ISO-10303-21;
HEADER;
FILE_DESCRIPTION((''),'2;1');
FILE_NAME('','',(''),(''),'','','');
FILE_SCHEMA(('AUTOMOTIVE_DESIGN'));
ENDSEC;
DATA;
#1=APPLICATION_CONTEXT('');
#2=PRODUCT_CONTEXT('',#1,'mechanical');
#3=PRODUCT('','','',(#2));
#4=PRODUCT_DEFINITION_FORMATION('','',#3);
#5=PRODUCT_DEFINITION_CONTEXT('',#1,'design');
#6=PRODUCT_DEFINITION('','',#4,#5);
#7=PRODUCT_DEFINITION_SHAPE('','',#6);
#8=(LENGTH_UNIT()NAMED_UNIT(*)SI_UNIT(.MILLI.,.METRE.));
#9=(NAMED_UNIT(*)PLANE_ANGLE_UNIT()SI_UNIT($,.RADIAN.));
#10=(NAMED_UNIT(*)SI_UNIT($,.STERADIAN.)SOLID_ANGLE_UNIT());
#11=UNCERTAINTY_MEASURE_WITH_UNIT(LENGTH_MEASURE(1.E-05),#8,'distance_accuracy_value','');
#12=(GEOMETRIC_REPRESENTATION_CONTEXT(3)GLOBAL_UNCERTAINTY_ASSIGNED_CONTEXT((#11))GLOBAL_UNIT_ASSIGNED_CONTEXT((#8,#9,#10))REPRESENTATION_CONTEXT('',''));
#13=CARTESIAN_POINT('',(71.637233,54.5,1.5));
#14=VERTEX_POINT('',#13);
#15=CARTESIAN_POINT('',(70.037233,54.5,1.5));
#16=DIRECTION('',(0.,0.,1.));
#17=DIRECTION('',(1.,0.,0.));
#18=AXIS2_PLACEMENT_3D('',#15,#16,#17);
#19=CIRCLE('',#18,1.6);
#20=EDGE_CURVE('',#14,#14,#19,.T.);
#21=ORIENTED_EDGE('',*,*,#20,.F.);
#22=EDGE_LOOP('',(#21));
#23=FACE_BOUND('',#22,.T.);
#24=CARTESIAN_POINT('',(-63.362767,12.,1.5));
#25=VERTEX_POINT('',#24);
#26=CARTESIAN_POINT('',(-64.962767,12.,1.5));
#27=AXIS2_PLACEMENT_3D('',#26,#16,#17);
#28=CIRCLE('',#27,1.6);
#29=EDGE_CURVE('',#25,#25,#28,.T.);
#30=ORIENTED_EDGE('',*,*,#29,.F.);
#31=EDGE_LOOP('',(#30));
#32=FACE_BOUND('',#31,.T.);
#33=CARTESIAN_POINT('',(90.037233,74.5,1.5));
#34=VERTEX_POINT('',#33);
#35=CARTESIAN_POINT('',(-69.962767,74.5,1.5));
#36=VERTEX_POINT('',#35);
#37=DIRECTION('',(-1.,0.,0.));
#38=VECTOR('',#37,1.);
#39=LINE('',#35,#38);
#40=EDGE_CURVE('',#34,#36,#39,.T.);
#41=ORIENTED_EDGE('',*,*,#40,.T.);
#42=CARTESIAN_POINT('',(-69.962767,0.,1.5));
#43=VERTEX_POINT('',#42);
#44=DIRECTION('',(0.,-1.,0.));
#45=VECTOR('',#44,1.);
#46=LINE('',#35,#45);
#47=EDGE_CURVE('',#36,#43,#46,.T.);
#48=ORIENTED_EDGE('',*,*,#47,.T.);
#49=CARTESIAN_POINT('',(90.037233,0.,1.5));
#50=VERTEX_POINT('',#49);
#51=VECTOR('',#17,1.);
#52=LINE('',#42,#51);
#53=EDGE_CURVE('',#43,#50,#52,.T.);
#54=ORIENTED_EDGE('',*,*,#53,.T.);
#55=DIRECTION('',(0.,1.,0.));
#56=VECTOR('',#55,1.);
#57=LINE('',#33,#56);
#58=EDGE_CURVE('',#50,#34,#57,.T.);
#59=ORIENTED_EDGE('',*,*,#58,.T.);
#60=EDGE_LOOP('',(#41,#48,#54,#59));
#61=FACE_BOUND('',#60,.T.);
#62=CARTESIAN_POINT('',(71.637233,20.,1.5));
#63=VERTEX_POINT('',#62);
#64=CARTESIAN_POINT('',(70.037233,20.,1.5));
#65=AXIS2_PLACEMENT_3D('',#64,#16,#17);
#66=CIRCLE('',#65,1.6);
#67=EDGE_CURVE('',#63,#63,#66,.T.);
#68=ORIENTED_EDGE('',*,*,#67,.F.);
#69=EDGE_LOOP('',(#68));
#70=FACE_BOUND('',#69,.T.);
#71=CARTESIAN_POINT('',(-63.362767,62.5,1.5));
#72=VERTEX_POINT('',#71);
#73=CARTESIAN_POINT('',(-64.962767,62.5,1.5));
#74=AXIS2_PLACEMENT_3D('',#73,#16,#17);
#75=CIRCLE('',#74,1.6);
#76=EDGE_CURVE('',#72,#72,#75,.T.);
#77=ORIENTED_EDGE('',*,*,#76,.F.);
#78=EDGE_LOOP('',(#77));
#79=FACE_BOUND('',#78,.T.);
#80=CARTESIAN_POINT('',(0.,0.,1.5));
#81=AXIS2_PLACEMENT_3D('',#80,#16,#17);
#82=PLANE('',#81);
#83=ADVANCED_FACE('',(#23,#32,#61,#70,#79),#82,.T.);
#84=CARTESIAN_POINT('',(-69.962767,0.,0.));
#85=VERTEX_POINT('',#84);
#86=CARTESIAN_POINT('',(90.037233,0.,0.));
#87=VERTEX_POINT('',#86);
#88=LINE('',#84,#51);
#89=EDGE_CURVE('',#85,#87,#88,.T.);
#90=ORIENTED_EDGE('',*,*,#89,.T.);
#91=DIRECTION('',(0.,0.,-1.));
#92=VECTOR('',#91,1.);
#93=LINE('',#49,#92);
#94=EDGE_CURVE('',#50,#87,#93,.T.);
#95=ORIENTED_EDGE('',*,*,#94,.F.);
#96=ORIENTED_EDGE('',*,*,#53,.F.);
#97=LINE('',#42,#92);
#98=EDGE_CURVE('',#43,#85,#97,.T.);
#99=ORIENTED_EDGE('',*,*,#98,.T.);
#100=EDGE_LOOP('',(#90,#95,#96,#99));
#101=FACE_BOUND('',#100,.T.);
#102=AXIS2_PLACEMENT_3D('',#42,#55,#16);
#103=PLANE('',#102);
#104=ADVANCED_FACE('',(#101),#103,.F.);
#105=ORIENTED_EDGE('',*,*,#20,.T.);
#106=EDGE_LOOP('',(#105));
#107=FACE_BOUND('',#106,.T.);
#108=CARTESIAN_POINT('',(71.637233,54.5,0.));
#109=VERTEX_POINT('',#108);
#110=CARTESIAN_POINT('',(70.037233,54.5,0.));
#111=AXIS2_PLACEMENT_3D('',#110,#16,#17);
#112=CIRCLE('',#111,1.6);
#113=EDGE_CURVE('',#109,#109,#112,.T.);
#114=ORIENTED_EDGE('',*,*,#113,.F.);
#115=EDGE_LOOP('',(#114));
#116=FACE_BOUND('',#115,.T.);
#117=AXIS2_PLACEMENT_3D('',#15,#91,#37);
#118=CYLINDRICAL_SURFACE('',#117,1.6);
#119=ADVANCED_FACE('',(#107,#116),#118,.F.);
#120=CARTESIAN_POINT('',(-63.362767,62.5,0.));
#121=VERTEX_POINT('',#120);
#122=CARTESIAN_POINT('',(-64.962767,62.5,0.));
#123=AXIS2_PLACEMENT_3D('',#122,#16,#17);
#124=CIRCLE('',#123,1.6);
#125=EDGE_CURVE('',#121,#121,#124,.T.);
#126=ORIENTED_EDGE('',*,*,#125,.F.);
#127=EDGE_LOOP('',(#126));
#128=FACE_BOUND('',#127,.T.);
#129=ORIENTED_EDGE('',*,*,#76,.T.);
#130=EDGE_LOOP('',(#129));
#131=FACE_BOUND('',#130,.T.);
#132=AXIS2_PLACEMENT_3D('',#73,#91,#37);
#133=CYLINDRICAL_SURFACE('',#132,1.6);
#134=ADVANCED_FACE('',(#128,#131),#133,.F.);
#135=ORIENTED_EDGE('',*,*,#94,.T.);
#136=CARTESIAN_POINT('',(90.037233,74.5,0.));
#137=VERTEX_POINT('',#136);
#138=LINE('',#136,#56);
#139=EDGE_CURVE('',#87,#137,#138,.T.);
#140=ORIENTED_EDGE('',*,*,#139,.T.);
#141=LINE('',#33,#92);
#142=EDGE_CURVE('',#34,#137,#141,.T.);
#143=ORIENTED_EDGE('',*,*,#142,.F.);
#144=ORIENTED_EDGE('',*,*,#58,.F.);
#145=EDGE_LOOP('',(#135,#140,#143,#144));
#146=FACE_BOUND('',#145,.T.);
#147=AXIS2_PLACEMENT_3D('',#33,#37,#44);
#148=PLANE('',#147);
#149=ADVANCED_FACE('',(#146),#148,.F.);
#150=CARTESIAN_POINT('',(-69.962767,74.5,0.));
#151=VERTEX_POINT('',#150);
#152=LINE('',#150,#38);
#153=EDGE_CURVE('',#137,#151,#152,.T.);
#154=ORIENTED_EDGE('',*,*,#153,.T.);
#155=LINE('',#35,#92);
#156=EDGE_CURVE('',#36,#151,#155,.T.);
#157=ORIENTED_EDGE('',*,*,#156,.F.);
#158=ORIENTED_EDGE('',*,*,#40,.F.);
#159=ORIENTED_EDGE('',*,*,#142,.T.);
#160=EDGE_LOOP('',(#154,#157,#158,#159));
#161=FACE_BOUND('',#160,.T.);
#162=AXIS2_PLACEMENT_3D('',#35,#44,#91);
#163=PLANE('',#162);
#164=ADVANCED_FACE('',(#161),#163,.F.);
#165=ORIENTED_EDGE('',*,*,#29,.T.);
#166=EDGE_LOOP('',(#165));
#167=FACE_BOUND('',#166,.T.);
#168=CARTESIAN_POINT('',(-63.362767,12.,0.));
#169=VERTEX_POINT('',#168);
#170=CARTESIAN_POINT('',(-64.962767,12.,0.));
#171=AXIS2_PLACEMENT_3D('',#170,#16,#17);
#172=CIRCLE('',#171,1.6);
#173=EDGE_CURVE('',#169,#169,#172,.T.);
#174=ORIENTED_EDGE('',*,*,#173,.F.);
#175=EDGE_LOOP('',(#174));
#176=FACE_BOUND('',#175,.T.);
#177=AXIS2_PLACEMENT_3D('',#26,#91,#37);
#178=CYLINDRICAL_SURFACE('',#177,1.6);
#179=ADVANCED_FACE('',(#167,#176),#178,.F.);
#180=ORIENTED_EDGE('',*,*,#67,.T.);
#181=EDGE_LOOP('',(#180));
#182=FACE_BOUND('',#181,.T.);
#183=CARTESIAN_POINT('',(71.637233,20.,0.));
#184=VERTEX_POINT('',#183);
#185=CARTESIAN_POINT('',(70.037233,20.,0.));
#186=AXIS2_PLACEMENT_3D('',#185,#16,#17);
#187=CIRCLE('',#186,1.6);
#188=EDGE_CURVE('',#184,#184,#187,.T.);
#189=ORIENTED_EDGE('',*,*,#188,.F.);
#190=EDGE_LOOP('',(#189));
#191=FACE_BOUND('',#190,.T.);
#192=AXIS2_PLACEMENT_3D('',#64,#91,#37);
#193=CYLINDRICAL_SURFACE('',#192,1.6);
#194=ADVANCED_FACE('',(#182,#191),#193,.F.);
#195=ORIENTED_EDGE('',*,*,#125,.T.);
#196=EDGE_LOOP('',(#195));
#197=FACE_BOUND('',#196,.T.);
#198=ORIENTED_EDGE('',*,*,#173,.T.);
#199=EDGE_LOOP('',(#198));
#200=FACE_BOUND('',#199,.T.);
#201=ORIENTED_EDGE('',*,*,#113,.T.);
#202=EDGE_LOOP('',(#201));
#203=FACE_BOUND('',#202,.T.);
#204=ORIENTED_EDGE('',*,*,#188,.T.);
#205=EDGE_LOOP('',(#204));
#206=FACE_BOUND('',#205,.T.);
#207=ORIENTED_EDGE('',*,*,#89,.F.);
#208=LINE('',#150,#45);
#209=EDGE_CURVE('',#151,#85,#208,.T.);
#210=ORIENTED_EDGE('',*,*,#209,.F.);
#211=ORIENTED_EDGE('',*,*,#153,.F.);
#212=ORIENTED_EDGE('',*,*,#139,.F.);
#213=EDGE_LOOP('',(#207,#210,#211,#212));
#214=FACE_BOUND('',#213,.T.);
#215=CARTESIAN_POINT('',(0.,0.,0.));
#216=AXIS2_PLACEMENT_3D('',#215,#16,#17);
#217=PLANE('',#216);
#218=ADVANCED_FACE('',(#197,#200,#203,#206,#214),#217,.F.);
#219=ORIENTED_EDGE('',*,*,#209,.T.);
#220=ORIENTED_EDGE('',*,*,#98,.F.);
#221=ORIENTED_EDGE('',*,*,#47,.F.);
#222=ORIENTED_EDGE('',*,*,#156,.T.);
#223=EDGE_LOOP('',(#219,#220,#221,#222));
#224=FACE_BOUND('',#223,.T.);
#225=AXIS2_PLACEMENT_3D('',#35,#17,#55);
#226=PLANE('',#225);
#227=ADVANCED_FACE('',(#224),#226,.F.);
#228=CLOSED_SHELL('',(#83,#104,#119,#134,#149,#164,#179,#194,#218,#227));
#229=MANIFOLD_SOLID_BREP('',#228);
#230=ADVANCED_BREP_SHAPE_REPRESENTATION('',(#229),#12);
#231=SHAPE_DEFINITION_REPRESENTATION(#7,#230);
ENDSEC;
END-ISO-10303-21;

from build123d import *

# Parameters (mm, degrees)
SKETCH1_W           = 160
SKETCH1_H           = 74.5
SKETCH1_R           = 1.6
BOSS_EXTRUDE1_DEPTH = 1.5


with BuildPart() as part:
    # Sketch1 → Boss-Extrude1 (new body)
    with BuildSketch(Plane.XY):
        with Locations((10.037232686, 37.25)):
            Rectangle(SKETCH1_W, SKETCH1_H)
        with Locations((70.037232686, 54.5)):
            Circle(SKETCH1_R, mode=Mode.SUBTRACT)
        with Locations((70.037232686, 20)):
            Circle(SKETCH1_R, mode=Mode.SUBTRACT)
        with Locations((-64.962767314, 62.5)):
            Circle(SKETCH1_R, mode=Mode.SUBTRACT)
        with Locations((-64.962767314, 12)):
            Circle(SKETCH1_R, mode=Mode.SUBTRACT)
    extrude(amount=BOSS_EXTRUDE1_DEPTH)


solid = part.part
